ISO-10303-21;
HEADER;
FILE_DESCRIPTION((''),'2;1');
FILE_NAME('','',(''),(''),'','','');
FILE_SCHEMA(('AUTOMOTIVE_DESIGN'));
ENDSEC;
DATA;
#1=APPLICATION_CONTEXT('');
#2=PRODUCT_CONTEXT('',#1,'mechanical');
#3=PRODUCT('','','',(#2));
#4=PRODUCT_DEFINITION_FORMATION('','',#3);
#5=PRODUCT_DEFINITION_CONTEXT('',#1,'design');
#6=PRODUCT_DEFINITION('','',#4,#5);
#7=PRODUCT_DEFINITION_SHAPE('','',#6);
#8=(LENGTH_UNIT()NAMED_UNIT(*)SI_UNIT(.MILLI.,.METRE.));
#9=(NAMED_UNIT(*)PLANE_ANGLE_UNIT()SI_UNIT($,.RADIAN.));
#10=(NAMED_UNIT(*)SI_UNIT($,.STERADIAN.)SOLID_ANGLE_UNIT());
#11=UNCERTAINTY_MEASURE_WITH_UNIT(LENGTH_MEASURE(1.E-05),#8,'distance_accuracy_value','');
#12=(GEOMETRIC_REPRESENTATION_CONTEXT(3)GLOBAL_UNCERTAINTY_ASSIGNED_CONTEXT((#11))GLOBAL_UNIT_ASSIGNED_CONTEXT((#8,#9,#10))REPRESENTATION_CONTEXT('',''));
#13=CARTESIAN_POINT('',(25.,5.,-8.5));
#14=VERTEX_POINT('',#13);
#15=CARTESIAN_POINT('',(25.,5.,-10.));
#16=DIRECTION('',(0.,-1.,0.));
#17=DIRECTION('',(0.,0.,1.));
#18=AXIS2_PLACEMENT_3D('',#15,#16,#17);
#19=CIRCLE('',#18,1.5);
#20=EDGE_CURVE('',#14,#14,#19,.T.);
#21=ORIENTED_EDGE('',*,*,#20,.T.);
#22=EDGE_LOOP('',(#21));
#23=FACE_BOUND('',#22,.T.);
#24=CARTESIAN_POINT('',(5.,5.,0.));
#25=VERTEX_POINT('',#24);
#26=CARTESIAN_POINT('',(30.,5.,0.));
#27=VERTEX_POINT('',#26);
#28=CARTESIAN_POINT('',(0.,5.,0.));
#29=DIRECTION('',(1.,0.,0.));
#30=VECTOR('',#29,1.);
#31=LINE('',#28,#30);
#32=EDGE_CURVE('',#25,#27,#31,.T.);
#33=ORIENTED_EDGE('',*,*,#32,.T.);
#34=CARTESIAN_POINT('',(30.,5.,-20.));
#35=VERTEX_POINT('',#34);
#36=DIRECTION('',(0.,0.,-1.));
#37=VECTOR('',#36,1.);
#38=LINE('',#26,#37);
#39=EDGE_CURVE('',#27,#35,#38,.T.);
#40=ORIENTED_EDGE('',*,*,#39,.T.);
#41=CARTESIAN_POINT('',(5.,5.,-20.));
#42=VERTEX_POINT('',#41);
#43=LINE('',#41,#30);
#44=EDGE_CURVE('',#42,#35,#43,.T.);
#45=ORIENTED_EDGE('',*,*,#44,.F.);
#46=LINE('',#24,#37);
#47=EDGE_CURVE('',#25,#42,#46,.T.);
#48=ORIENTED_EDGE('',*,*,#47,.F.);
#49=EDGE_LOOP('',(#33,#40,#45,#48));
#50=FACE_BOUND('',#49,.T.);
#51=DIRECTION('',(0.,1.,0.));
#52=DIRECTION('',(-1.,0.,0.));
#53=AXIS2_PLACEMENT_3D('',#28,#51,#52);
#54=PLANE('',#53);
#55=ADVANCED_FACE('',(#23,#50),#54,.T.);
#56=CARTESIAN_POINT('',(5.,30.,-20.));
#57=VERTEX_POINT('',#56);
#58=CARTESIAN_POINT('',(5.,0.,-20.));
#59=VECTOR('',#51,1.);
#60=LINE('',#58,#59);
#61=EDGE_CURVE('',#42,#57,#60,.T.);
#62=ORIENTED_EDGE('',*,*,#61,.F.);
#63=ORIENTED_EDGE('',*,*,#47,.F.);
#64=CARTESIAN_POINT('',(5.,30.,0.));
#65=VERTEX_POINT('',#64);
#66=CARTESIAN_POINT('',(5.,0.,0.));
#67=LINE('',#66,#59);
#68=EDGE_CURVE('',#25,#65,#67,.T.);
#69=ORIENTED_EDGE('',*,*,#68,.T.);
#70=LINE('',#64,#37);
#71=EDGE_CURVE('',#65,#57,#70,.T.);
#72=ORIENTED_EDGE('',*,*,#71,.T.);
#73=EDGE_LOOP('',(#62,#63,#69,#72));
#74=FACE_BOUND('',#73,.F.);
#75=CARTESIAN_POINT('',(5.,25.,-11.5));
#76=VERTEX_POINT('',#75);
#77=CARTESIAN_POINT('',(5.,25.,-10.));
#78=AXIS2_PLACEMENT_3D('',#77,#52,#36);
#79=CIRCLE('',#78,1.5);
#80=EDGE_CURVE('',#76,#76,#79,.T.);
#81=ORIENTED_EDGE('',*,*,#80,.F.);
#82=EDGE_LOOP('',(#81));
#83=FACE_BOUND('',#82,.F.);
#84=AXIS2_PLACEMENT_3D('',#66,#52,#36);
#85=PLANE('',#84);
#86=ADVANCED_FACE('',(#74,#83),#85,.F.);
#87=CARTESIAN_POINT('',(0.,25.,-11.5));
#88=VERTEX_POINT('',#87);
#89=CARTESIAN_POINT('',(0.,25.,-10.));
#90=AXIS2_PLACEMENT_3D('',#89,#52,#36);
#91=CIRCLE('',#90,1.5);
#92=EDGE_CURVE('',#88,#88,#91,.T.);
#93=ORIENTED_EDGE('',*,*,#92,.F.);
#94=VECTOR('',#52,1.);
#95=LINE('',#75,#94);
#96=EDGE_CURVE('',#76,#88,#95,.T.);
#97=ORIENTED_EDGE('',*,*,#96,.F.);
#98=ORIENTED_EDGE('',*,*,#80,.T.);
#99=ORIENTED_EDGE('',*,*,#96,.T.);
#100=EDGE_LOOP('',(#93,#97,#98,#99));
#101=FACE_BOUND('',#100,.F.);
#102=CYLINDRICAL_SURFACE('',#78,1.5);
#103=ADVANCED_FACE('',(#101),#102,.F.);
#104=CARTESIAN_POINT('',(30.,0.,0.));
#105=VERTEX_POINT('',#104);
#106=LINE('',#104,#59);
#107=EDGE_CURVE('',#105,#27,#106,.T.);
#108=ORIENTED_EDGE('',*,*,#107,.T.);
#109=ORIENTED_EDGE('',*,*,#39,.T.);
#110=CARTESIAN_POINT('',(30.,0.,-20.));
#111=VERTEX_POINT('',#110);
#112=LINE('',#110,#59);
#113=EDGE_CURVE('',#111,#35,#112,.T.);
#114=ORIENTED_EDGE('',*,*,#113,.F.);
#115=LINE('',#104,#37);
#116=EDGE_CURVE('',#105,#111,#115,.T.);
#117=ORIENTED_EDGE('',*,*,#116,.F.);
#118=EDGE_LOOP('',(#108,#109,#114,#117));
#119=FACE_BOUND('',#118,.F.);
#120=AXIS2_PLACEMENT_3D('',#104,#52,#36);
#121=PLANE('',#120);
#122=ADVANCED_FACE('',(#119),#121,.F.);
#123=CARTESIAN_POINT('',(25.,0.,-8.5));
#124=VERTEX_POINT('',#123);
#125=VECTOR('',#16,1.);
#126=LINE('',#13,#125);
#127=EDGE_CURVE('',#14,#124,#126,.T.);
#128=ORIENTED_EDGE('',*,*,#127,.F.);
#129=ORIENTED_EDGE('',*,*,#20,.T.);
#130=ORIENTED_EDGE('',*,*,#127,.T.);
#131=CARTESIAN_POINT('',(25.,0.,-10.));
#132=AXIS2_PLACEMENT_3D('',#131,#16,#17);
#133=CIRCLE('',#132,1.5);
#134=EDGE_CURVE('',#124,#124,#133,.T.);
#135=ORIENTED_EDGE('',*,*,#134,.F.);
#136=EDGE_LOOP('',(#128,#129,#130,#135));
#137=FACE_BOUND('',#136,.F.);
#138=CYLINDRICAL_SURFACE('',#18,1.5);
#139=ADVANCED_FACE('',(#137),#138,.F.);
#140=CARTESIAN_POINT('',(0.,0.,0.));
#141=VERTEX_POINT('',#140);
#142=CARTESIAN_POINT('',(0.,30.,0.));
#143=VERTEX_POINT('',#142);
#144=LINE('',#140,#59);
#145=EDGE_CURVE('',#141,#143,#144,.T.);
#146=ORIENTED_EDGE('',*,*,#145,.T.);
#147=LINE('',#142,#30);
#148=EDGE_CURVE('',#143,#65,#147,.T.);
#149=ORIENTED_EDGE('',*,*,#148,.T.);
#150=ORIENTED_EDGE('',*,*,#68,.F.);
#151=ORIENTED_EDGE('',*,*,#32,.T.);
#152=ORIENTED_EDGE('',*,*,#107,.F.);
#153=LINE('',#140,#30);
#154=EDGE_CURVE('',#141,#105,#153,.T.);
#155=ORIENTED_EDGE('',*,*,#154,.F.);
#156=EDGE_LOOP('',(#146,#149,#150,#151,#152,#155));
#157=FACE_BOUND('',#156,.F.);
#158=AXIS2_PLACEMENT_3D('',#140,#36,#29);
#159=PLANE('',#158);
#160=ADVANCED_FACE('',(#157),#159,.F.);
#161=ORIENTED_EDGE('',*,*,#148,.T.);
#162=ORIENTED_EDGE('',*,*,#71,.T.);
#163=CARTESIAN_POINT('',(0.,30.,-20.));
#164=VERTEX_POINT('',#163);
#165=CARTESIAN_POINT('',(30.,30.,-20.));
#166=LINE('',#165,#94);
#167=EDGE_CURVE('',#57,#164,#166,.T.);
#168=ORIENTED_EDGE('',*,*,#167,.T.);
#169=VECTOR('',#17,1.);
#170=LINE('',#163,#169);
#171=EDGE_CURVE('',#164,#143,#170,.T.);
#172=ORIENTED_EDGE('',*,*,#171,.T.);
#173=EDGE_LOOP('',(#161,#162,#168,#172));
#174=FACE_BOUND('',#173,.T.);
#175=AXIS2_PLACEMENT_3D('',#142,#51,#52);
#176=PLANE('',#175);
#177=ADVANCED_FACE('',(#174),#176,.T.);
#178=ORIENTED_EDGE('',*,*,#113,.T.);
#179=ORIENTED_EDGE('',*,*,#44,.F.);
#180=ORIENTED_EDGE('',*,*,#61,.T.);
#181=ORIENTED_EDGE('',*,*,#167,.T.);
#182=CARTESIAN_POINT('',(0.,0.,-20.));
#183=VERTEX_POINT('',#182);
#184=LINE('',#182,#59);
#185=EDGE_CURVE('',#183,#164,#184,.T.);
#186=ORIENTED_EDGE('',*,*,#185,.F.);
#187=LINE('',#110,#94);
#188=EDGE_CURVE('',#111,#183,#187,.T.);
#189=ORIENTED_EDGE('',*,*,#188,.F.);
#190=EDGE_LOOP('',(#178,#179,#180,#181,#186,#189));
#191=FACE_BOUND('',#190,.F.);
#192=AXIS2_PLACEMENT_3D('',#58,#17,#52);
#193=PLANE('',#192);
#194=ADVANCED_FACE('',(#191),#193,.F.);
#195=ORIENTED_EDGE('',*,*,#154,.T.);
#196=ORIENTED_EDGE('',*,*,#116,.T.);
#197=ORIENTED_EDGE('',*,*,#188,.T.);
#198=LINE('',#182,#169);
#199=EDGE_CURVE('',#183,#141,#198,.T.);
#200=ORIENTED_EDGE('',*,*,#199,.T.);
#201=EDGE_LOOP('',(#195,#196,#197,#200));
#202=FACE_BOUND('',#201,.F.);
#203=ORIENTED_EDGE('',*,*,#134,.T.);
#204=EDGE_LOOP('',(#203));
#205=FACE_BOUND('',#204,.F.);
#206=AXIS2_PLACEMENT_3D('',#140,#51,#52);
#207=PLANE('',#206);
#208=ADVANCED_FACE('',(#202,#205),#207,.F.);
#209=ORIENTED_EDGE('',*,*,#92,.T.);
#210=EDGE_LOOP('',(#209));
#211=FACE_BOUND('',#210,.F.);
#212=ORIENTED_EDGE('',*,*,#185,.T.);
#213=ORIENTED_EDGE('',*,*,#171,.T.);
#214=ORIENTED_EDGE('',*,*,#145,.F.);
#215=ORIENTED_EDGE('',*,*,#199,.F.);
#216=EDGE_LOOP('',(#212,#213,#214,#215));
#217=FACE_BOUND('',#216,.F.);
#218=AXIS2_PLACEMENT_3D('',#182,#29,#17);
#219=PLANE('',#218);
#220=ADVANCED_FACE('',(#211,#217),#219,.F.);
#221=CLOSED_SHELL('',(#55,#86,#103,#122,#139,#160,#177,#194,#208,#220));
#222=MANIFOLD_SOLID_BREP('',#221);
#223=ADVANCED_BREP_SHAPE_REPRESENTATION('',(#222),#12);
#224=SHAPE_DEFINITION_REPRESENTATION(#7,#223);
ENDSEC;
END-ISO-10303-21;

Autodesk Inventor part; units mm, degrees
ref_plane "YZ Plane" through (0, 0, 0) normal (1, 0, 0) x (0, 1, 0)
ref_plane "XZ Plane" through (0, 0, 0) normal (0, 1, 0) x (-1, 0, 0)
ref_plane "XY Plane" through (0, 0, 0) normal (0, 0, 1) x (1, 0, 0)
sketch "Sketch1" plane through (0, 0, 0) normal (0, 1, 0) x (-1, 0, 0)
  line L0 (0, 0) -> (-30, 0)
  line L1 (-30, 0) -> (-30, -20)
  line L2 (-30, -20) -> (0, -20)
  line L3 (0, -20) -> (0, 0)
  line L4 (0, 0) -> (-5, 0)
  line L5 (-15, -20) -> (0, -20)
  line L6 (0, -20) -> (0, 0)
  line L7 (-5, 0) -> (-5, -20)
  point P0 (-5, -20)
  dimension "d1" = 20
  dimension "d7" = 5
  dimension "d8" = 25
extrude "Extrusion1" add sketch "Sketch1" along normal blind 30 contours L3 L2 L7 L0
extrude "Extrusion3" add sketch "Sketch1" along normal blind 5 contours L7 L2 L1 L0
sketch "Sketch2" plane through (0, 5, 0) normal (0, 1, 0) x (1, 0, 0)
  line L0 (5, 0) -> (5, 20) projected
  line L1 (5, 0) -> (30, 0) projected
  point P0 (0, 0)
  point P1 (25, 10)
  dimension "d18" = 20
  dimension "d21" = 10
hole "Hole1" at (25, 5, -10) direction (0, -1, 0) diameter 3 end through all
sketch "Sketch3" plane through (5, 30, 0) normal (1, 0, 0) x (0, 0, -1)
  line L0 (20, -25) -> (20, 0) projected
  line L1 (0, 0) -> (20, 0) projected
  line L2 (0, -25) -> (20, -25) projected
  point P0 (0, -30)
  point P1 (10, -5)
  point P2 (20, -12.5)
  dimension "d30" = 10
  dimension "d32" = 20
hole "Hole2" at (5, 25, -10) direction (-1, 0, 0) diameter 3 end through all
properties part number "Fastener" material "ABS Plastic"
